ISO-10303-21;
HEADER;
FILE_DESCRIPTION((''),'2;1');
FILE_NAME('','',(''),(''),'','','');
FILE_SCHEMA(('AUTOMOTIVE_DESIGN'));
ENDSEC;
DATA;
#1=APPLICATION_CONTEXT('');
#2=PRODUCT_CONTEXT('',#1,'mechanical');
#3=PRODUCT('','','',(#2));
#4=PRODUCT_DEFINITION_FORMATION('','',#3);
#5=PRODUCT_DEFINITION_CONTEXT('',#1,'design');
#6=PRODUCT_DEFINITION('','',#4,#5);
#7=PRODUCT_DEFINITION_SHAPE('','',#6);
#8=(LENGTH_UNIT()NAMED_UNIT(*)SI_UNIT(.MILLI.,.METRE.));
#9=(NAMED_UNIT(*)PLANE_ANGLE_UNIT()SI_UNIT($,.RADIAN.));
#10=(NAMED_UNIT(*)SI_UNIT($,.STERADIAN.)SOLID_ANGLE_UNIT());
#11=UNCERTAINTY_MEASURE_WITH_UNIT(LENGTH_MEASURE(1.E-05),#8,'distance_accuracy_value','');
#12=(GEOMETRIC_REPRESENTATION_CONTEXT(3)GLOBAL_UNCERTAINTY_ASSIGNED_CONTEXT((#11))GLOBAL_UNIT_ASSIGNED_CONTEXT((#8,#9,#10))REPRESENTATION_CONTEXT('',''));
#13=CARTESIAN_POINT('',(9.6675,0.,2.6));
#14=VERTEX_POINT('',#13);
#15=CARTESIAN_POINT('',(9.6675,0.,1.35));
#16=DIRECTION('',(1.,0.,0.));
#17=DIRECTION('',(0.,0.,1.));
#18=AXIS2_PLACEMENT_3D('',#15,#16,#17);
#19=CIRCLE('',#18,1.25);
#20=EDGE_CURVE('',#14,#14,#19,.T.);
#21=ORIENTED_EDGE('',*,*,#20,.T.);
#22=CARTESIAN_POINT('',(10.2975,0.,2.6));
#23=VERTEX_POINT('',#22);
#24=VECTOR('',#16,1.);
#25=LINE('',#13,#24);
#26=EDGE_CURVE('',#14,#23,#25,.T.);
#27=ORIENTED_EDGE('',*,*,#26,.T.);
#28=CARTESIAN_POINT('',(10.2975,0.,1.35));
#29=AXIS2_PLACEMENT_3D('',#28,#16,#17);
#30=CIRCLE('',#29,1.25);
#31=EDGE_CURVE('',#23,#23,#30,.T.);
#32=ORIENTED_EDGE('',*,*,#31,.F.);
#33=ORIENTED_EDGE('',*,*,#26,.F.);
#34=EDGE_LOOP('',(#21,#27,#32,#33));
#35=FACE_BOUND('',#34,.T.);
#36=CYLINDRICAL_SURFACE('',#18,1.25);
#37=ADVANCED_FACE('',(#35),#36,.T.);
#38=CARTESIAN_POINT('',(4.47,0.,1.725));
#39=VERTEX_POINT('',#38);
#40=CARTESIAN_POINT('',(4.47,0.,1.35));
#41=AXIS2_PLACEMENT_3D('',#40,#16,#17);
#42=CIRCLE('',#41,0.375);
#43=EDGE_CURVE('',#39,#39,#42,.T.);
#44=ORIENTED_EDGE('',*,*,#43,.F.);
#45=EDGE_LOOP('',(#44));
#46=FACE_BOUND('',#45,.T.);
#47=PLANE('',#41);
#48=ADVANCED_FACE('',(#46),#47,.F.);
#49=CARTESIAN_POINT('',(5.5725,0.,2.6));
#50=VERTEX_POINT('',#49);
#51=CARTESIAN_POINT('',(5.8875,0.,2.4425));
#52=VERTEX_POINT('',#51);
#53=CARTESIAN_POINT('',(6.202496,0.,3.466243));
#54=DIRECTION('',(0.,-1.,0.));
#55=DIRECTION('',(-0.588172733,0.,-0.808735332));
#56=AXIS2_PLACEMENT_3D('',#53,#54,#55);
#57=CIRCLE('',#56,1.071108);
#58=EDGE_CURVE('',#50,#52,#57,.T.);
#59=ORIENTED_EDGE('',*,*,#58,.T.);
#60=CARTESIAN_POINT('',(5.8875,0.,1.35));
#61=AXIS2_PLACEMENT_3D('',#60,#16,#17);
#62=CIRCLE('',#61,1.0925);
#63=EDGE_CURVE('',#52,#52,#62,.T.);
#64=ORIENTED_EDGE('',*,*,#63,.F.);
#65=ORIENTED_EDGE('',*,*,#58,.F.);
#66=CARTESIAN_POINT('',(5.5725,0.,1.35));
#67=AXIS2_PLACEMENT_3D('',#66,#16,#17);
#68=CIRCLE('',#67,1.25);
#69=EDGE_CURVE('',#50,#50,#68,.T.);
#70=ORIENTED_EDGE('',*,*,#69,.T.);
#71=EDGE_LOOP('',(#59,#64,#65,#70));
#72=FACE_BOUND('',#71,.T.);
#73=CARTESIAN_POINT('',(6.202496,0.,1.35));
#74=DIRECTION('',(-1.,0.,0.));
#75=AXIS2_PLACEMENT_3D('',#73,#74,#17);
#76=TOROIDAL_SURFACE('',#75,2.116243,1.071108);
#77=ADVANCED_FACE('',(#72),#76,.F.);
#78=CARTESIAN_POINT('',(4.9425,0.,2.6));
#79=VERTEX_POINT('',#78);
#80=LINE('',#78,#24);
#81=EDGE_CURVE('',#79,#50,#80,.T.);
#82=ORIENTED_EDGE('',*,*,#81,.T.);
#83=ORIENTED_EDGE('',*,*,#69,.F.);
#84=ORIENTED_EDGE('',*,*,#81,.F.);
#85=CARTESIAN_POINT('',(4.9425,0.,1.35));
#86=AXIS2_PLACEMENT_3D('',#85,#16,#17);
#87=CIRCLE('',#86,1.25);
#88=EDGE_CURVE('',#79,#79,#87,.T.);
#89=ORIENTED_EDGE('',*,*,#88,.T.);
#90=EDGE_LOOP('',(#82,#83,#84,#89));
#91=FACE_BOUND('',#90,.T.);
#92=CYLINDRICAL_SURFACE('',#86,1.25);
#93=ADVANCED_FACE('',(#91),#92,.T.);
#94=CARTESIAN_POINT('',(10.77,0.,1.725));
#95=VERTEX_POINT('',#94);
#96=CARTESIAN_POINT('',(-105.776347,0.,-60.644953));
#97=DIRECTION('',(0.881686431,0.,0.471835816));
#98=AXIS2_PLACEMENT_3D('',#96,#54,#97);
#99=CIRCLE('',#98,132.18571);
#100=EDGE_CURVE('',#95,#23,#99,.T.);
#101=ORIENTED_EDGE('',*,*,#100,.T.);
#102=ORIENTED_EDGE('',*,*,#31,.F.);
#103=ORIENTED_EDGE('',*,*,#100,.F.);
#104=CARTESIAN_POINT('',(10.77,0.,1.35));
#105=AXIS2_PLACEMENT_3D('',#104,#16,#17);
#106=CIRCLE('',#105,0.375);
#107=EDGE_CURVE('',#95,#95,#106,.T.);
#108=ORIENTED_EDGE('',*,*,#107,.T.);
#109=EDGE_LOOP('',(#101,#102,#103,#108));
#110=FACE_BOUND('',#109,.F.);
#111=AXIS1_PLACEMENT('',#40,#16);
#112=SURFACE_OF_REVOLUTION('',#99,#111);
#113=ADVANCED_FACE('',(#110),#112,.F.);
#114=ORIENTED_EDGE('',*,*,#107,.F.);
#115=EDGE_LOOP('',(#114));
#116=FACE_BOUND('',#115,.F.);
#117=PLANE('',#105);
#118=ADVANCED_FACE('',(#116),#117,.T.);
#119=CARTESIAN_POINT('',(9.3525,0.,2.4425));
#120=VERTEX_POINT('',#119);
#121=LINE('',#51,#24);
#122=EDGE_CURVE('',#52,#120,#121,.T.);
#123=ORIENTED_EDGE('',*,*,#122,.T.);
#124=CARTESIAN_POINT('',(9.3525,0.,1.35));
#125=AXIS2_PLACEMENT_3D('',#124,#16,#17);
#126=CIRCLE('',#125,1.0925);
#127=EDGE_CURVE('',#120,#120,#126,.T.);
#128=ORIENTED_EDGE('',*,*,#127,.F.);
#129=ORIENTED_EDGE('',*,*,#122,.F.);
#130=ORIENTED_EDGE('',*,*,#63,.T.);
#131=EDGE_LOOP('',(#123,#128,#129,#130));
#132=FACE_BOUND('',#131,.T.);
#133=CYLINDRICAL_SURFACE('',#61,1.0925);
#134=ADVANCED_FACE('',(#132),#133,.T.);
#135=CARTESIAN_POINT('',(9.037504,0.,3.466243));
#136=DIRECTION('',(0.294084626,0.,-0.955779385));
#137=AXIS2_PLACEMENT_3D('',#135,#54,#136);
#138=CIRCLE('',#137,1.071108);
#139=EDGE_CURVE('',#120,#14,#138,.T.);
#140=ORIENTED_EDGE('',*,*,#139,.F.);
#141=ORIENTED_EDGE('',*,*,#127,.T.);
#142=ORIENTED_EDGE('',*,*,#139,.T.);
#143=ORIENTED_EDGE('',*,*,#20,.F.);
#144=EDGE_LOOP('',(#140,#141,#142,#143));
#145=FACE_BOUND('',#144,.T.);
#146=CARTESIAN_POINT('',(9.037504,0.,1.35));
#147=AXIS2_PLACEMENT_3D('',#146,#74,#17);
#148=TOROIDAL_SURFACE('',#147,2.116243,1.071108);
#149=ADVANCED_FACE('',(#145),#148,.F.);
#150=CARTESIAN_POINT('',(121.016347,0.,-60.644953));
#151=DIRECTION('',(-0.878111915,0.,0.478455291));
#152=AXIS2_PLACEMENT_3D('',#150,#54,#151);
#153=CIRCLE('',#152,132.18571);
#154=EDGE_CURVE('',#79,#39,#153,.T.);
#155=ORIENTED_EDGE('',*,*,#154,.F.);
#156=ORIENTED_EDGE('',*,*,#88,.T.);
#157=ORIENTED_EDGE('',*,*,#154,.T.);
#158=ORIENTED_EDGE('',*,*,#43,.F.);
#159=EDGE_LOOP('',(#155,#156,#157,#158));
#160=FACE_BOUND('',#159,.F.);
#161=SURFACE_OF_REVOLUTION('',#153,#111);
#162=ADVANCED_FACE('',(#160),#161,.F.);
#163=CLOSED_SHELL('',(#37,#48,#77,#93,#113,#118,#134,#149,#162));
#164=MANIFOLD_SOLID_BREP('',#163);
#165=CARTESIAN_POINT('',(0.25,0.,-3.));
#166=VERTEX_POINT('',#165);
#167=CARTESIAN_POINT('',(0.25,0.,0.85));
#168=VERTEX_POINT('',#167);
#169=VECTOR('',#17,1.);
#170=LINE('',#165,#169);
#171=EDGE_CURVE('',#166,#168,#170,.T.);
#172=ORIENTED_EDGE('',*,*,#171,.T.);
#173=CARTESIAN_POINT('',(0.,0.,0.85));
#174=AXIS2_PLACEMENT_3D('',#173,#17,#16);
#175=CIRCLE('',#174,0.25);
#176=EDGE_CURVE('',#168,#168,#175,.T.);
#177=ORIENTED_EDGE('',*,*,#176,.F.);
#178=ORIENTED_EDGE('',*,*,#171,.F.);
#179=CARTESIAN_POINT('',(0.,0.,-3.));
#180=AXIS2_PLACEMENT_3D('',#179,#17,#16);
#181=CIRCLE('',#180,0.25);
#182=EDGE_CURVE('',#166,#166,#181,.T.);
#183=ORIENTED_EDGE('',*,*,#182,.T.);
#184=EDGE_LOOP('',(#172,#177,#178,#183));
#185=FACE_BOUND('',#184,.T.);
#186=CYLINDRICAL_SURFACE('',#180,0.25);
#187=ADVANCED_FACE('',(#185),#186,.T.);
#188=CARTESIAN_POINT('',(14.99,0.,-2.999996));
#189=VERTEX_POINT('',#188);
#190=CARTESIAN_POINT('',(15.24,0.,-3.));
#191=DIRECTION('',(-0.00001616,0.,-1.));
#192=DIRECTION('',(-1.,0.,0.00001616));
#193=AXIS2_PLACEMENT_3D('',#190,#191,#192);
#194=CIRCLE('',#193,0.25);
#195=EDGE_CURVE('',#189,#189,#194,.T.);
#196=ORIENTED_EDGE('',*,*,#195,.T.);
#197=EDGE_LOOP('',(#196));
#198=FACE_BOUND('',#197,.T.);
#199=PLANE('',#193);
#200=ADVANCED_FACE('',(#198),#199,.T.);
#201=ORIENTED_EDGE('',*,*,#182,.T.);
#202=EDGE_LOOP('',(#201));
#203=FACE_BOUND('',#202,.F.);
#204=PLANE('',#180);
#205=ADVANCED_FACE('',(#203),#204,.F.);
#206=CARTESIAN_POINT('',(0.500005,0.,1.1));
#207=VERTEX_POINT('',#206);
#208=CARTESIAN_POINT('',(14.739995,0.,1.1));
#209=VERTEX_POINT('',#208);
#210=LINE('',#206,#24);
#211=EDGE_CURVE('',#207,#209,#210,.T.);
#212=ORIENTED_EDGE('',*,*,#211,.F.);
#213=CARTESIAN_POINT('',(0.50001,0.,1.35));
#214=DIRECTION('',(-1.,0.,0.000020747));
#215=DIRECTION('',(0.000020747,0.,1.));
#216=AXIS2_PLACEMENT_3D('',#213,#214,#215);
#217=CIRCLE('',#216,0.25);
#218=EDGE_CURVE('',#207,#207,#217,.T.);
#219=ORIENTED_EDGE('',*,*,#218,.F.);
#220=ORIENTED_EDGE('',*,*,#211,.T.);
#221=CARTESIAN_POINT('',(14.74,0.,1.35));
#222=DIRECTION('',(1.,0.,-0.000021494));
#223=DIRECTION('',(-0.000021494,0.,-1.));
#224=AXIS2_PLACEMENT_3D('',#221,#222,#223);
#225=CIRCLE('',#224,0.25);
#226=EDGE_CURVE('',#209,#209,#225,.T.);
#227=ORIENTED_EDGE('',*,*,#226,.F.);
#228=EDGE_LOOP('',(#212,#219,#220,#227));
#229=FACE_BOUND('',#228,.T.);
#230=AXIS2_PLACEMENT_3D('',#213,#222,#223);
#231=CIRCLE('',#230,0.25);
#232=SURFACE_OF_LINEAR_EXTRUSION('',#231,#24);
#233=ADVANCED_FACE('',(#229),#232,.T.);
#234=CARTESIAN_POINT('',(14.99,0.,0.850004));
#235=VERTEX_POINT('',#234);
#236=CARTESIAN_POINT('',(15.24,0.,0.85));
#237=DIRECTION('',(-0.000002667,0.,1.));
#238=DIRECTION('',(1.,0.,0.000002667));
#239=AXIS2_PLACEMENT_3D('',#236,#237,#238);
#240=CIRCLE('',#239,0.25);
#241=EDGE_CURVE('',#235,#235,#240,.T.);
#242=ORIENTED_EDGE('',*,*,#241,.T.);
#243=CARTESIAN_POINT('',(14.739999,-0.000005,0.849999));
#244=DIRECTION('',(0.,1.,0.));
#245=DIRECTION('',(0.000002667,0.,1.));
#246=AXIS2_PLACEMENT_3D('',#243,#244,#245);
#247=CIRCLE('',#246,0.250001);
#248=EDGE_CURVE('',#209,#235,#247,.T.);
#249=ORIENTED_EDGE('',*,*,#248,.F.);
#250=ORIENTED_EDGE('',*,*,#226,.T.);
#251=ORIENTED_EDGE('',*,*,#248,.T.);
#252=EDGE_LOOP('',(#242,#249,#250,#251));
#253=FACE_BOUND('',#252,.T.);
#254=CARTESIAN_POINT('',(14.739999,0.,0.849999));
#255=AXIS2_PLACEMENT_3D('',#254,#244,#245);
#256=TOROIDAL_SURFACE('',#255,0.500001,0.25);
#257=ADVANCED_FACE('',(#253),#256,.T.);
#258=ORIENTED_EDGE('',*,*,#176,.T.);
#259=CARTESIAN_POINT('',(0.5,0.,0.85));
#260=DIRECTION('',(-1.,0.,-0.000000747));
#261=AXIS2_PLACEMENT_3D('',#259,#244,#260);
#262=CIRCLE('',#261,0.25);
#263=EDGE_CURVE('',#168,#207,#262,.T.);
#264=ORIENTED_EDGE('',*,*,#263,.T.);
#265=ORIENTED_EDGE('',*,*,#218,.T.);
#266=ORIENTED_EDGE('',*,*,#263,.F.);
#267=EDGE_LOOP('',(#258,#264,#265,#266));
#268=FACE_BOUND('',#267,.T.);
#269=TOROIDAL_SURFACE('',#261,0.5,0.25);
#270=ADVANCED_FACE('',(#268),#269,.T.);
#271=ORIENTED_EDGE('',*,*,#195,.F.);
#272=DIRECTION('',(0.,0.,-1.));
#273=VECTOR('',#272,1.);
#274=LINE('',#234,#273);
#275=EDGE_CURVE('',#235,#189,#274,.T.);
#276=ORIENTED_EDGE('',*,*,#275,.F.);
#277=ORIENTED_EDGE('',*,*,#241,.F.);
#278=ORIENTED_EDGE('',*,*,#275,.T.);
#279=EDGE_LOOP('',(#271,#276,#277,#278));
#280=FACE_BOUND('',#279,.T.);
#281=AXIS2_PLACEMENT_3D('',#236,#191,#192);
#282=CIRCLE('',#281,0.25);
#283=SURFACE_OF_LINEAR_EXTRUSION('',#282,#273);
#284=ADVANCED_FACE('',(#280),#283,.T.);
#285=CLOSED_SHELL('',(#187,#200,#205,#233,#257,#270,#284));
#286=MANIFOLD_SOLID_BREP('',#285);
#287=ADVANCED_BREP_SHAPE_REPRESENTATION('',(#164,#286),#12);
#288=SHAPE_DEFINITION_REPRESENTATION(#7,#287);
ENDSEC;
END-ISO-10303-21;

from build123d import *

# Parameters (mm, degrees)
SKETCH_R = 0.25


with BuildPart() as revolution:
    # Sketch002 → Revolution (revolve)
    with BuildSketch(Plane.XZ):
        with BuildLine():
            Line((4.9425, 2.6), (5.5725, 2.6))
            ThreePointArc((5.5725, 2.6), (5.723482, 2.508215), (5.8875, 2.4425))
            Line((5.8875, 2.4425), (9.3525, 2.4425))
            ThreePointArc((9.3525, 2.4425), (9.516518, 2.508215), (9.6675, 2.6))
            Line((9.6675, 2.6), (10.2975, 2.6))
            ThreePointArc((10.77, 1.725), (10.534573, 2.162944), (10.2975, 2.6))
            Line((10.77, 1.35), (10.77, 1.725))
            Line((4.47, 1.35), (10.77, 1.35))
            Line((4.47, 1.35), (4.47, 1.725))
            ThreePointArc((4.9425, 2.6), (4.705427, 2.162944), (4.47, 1.725))
        make_face()
    revolve(axis=Axis((4.47, 0, 1.35), (1, 0, 0)))


with BuildPart() as sweep_body:
    # Sweep: sweep along a path in Sketch001
    with BuildLine(Plane.XZ) as sweep_path:
        Line((0, -3), (0, 0.85))
        ThreePointArc((0, 0.85), (0.14645, 1.203557), (0.50001, 1.35))
        Line((0.50001, 1.35), (14.74, 1.35))
        ThreePointArc((14.74, 1.35), (15.093553, 1.203553), (15.24, 0.85))
        Line((15.24, 0.85), (15.24, -3))
    # Sketch → Sweep (sweep)
    with BuildSketch(Plane.XY.offset(-2)):
        Circle(SKETCH_R)
    sweep(path=sweep_path.line)


solid = Compound([revolution.part, sweep_body.part])
